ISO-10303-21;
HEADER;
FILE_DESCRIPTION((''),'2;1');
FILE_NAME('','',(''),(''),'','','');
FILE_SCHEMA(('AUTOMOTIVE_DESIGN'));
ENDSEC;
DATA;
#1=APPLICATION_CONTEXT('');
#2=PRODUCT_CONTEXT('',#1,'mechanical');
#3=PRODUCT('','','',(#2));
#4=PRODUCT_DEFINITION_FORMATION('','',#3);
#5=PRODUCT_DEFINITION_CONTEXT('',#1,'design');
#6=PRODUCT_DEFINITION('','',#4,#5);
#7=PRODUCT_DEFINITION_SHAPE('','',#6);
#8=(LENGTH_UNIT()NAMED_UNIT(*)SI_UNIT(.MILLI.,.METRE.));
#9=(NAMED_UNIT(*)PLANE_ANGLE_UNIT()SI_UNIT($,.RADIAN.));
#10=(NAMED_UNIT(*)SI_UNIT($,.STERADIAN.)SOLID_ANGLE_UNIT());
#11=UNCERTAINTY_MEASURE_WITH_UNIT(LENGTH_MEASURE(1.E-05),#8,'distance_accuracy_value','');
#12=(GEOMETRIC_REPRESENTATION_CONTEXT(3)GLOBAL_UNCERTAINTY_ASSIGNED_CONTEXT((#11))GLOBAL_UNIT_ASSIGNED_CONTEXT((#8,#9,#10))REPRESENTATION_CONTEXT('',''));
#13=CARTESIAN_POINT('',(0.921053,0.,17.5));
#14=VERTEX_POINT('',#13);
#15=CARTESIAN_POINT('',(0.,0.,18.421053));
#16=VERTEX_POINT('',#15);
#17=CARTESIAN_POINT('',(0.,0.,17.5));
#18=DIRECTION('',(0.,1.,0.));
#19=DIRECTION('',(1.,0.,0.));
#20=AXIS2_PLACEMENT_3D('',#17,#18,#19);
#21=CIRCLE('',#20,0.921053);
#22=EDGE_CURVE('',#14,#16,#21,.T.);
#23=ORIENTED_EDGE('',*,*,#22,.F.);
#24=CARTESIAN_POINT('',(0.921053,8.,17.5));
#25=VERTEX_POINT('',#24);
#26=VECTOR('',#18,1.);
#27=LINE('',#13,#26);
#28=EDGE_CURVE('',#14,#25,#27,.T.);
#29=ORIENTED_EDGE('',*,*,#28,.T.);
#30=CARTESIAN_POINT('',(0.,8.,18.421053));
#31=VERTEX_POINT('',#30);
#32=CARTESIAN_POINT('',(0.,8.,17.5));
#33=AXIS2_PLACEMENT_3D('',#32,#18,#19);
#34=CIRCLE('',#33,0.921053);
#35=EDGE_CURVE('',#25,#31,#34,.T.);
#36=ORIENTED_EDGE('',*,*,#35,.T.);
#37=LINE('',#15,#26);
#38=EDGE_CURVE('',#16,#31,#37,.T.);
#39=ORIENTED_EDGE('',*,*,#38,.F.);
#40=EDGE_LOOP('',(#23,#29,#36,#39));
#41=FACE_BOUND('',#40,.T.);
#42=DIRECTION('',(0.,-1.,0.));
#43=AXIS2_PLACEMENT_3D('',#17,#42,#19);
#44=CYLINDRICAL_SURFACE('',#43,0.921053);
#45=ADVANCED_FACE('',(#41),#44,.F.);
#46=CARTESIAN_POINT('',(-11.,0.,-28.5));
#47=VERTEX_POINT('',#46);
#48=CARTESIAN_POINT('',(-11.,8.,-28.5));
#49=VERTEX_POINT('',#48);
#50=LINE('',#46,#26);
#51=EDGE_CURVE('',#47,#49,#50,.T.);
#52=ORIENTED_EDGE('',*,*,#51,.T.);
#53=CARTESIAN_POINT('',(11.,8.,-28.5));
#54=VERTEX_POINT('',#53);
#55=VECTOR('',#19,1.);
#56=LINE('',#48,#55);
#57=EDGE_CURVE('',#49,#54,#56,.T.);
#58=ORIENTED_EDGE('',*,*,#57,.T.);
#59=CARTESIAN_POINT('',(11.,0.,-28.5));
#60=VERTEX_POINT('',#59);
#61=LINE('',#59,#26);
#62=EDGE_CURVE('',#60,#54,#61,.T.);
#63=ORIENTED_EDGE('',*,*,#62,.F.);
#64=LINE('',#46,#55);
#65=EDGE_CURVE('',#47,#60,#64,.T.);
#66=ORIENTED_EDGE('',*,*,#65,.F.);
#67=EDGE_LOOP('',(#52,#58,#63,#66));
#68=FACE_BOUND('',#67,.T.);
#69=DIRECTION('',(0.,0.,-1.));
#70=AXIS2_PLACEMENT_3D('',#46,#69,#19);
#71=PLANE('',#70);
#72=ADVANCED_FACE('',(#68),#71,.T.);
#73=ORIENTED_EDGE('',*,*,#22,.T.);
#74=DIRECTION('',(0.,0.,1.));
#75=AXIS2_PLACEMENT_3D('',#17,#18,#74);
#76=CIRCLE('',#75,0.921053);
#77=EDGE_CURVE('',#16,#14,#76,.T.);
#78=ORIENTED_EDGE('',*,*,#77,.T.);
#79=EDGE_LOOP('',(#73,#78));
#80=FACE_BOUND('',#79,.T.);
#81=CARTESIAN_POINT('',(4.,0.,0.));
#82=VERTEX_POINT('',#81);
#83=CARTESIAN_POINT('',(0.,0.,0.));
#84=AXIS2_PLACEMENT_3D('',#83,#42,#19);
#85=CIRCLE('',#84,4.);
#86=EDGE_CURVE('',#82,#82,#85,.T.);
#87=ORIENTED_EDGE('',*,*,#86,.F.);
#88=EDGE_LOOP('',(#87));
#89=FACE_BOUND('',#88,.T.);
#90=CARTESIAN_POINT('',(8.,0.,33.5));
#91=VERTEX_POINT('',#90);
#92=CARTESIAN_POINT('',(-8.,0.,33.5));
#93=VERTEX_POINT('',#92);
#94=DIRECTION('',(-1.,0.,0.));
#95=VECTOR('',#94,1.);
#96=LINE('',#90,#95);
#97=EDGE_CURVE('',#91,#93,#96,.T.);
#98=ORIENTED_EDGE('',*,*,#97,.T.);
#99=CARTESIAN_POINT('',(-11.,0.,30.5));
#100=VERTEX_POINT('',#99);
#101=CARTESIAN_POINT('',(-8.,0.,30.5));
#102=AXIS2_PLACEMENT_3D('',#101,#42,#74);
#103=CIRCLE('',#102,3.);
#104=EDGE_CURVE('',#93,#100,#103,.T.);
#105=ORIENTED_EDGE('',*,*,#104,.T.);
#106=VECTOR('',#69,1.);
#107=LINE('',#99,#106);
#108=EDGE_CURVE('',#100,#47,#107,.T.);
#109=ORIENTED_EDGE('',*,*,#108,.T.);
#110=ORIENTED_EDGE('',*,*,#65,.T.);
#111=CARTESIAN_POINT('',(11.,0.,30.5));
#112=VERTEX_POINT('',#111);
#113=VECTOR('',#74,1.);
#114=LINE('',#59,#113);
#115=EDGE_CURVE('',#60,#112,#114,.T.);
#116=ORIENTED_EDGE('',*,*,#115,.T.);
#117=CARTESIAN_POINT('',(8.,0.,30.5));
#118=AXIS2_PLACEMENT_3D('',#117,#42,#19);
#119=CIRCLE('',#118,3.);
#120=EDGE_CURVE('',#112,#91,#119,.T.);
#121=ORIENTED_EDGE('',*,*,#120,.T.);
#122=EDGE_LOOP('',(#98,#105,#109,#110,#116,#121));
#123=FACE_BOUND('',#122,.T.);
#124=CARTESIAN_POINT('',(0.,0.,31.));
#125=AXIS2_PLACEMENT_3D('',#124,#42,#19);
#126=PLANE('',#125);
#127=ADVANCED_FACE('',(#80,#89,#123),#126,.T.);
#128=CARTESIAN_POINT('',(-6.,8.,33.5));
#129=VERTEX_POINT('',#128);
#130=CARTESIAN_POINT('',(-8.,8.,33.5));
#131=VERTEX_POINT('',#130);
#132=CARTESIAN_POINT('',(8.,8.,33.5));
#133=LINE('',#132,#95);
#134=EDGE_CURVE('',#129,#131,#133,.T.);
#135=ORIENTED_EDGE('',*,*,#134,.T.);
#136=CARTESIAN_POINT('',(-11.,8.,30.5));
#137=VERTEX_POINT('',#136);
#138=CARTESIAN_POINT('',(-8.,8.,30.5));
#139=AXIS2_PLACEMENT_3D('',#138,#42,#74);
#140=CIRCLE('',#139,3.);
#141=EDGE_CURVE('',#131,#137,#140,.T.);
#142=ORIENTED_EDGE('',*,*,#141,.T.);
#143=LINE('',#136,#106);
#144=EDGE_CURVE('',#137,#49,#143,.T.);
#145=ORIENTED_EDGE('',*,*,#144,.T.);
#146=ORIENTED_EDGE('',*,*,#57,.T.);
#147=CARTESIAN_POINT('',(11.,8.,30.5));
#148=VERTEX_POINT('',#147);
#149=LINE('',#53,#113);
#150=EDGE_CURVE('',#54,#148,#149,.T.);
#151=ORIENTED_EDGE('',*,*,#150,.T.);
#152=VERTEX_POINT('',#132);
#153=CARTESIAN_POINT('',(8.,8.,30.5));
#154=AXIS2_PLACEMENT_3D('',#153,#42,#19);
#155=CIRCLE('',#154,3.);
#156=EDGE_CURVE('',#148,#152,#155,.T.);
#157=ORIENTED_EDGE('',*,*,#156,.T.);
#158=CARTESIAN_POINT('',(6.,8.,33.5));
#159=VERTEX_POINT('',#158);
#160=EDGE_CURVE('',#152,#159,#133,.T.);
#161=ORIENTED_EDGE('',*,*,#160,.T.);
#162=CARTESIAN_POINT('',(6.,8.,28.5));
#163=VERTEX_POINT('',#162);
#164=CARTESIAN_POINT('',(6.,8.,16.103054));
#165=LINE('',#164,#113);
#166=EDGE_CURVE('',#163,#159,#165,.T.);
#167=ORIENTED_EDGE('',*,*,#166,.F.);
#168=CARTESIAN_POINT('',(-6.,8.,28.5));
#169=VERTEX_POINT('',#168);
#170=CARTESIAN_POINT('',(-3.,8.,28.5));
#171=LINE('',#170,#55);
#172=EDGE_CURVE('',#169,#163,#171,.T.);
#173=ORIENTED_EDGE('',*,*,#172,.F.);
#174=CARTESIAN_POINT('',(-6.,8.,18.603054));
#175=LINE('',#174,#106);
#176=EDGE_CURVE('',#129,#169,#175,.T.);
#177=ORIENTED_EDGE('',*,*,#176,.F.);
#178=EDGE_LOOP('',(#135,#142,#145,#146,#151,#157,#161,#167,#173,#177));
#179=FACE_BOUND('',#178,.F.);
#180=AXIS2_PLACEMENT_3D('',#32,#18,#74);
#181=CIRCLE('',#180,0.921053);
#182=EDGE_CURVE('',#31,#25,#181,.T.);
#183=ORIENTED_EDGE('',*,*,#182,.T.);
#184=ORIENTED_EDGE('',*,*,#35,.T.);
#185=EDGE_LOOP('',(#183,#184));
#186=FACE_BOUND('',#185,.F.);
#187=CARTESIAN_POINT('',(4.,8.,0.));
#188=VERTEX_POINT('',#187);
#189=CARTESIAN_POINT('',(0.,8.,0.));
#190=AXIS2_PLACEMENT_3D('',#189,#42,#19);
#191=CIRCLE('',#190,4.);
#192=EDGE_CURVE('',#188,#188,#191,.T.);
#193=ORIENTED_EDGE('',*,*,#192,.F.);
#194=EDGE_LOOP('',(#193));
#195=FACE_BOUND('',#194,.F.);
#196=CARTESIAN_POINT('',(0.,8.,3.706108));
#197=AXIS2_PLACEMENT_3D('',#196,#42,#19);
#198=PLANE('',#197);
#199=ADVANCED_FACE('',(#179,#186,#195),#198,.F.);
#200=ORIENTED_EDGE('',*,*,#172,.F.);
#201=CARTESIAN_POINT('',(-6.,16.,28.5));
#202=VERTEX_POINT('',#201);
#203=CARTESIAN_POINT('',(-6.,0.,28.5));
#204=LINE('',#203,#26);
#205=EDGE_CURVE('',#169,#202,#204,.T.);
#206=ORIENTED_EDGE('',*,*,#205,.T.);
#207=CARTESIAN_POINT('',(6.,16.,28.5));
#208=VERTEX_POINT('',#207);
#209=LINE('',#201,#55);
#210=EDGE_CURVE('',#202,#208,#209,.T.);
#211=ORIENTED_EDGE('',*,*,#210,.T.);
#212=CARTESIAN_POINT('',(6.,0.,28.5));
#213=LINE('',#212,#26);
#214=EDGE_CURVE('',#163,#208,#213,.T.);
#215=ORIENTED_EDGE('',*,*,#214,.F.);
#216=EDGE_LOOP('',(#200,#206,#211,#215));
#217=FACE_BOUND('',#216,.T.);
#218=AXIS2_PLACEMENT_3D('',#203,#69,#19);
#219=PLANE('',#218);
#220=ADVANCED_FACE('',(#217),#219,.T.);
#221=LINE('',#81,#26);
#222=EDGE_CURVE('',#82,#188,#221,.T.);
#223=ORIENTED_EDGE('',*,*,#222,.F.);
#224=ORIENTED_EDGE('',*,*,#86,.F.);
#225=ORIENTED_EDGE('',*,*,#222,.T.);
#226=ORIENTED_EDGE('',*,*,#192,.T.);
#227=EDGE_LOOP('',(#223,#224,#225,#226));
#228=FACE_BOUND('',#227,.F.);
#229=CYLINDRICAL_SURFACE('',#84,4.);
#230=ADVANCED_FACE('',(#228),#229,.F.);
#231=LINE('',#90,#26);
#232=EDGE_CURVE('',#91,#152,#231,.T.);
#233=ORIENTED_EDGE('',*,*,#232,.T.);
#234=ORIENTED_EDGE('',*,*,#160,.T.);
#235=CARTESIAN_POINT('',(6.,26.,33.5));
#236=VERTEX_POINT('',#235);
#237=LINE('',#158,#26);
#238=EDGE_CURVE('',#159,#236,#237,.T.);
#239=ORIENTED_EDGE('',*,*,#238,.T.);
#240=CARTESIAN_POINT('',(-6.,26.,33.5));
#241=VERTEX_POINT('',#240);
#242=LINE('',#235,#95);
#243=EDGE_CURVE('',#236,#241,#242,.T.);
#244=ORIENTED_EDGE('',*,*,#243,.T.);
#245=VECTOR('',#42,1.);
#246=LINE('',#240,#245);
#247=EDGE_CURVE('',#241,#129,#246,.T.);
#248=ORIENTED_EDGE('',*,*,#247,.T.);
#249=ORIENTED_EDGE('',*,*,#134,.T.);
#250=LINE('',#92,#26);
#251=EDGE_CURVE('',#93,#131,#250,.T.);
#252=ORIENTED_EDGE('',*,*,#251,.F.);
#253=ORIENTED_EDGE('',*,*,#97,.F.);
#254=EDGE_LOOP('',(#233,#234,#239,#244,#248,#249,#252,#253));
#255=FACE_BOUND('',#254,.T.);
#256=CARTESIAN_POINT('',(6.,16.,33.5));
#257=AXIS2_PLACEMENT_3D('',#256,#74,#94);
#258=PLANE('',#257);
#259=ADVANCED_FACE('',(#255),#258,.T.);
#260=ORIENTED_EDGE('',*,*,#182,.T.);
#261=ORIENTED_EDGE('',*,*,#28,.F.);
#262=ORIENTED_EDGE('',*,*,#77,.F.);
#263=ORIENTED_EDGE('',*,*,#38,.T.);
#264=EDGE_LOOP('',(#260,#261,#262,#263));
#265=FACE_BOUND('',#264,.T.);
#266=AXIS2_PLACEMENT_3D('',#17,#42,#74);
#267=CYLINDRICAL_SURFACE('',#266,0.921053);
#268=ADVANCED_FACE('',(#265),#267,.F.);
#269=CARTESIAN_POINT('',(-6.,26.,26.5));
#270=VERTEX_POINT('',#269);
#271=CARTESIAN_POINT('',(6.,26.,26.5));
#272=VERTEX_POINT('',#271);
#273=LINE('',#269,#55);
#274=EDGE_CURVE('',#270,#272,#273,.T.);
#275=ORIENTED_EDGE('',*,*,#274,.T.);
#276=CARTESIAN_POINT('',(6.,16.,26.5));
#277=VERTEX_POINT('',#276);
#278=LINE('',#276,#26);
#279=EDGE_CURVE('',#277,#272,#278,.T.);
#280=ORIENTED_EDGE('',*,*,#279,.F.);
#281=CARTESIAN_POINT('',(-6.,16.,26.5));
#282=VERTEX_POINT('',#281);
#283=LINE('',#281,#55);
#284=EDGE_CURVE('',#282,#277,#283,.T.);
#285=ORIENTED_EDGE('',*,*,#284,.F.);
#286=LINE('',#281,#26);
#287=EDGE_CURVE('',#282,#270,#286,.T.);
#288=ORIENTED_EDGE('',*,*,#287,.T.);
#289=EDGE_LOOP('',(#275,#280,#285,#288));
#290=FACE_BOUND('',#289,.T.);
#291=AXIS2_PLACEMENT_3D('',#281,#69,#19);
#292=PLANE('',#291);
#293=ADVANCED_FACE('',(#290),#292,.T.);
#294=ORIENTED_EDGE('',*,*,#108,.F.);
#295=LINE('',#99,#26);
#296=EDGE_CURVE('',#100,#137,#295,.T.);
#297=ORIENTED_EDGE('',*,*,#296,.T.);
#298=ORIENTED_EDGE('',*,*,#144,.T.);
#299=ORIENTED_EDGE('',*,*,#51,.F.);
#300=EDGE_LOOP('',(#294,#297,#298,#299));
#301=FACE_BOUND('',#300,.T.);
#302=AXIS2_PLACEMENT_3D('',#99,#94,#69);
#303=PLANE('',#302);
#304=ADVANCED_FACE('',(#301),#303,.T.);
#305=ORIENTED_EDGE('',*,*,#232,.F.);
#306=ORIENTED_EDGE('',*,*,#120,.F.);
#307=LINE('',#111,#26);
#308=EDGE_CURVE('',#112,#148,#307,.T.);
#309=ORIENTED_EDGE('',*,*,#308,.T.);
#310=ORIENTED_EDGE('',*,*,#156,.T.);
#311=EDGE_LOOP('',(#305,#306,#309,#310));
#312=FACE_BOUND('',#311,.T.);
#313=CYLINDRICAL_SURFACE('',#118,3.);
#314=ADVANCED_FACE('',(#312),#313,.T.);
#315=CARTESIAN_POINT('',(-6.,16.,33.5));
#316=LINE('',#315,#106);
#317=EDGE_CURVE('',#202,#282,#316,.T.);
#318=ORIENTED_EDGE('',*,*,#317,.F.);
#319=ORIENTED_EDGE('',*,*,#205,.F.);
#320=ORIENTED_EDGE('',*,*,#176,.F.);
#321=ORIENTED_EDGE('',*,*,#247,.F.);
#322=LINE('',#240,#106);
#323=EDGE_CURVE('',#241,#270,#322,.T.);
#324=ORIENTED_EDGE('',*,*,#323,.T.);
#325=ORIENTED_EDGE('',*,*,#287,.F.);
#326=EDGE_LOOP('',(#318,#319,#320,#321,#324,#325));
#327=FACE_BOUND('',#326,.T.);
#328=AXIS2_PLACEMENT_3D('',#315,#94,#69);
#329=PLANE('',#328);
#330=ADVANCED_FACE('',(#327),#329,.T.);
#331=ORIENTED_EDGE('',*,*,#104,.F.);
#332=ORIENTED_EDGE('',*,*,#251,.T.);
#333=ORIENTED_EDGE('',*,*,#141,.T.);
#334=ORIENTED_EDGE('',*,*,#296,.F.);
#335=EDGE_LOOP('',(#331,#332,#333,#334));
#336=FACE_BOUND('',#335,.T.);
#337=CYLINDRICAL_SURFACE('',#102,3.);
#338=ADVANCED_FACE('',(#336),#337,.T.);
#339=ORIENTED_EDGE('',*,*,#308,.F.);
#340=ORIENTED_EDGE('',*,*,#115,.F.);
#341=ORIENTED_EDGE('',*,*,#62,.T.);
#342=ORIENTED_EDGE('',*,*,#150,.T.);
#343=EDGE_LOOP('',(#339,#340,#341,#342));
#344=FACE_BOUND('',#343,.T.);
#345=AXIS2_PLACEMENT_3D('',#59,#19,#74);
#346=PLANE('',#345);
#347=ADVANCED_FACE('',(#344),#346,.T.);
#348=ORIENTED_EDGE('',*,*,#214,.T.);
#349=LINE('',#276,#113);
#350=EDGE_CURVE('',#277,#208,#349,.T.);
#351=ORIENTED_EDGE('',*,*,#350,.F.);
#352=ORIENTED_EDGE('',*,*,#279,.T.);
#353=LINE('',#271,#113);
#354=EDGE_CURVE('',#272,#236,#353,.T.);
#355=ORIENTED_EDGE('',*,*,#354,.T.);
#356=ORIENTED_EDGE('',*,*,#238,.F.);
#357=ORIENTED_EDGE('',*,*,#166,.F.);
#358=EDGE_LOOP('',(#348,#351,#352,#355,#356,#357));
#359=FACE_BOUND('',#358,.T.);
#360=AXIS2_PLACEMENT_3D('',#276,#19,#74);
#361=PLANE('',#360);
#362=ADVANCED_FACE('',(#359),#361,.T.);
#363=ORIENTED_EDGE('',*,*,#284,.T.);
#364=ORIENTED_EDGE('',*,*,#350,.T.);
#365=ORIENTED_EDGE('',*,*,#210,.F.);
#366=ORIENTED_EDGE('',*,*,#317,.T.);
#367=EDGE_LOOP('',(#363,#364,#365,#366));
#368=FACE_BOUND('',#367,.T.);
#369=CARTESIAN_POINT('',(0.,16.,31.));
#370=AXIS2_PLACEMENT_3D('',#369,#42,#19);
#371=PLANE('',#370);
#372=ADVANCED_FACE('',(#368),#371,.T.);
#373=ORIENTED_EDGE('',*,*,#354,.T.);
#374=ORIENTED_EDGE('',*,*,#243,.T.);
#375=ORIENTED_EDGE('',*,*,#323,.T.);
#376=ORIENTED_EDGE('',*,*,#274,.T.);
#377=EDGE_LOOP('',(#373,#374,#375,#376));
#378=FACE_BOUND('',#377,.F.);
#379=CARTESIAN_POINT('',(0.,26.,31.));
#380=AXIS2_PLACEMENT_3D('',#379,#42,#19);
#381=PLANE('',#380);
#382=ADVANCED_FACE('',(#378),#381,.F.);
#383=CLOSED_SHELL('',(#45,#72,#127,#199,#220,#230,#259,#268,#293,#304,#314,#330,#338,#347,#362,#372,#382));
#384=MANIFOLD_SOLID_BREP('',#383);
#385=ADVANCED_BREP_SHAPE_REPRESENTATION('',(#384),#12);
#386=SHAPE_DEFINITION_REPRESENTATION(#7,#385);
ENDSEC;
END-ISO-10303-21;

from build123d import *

# Parameters (mm, degrees)
F0_R     = 4
F1_DEPTH = 8
F2_DEPTH = 16
F3_START = -16
F3_DEPTH = 10


with BuildPart() as f1:
    # F0 (on Front) → F1 (new body)
    with BuildSketch(Plane.XZ):
        with BuildLine():
            Line((11, -17.5), (11, 17.5))
            Line((11, 17.5), (11, 30.5))
            ThreePointArc((11, 30.5), (10.1213203436, 32.6213203436), (8, 33.5))
            Line((8, 33.5), (6, 33.5))
            Line((6, 33.5), (6, 28.5))
            Line((6, 28.5), (6, 26.5))
            Line((6, 26.5), (-6, 26.5))
            Line((-6, 26.5), (-6, 28.5))
            Line((-6, 28.5), (-6, 33.5))
            Line((-6, 33.5), (-8, 33.5))
            ThreePointArc((-8, 33.5), (-10.1213203436, 32.6213203436), (-11, 30.5))
            Line((-11, 30.5), (-11, 28.5))
            Line((-11, 28.5), (-11, 17.5))
            Line((-11, 17.5), (-11, -17.5))
            Line((-11, -17.5), (-11, -28.5))
            Line((-11, -28.5), (0, -28.5))
            Line((0, -28.5), (11, -28.5))
            Line((11, -28.5), (11, -17.5))
        make_face()
        Circle(F0_R, mode=Mode.SUBTRACT)
        with BuildLine():
            ThreePointArc((0, 18.4210526316), (0.6512825616, 18.1512825616), (0.9210526316, 17.5))
            ThreePointArc((0.9210526316, 17.5), (-0.6512825616, 16.8487174384), (0, 18.4210526316))
        make_face(mode=Mode.SUBTRACT)
        Polygon((6, 26.5), (6, 28.5), (0, 28.5), (-6, 28.5), (-6, 26.5), align=None)
        Polygon((6, 28.5), (6, 33.5), (0, 33.5), (-6, 33.5), (-6, 28.5), (0, 28.5), align=None)
    extrude(amount=-F1_DEPTH)

    # F0 (on Front) → F2 (join)
    with BuildSketch(Plane.XZ):
        Polygon((6, 28.5), (6, 33.5), (0, 33.5), (-6, 33.5), (-6, 28.5), (0, 28.5), align=None)
    extrude(amount=-F2_DEPTH)

    # F0 (on Front) → F3 (join)
    with BuildSketch(Plane.XZ.offset(F3_START)):
        Polygon((6, 28.5), (6, 33.5), (0, 33.5), (-6, 33.5), (-6, 28.5), (0, 28.5), align=None)
        Polygon((6, 26.5), (6, 28.5), (0, 28.5), (-6, 28.5), (-6, 26.5), align=None)
    extrude(amount=-F3_DEPTH)


solid = f1.part
